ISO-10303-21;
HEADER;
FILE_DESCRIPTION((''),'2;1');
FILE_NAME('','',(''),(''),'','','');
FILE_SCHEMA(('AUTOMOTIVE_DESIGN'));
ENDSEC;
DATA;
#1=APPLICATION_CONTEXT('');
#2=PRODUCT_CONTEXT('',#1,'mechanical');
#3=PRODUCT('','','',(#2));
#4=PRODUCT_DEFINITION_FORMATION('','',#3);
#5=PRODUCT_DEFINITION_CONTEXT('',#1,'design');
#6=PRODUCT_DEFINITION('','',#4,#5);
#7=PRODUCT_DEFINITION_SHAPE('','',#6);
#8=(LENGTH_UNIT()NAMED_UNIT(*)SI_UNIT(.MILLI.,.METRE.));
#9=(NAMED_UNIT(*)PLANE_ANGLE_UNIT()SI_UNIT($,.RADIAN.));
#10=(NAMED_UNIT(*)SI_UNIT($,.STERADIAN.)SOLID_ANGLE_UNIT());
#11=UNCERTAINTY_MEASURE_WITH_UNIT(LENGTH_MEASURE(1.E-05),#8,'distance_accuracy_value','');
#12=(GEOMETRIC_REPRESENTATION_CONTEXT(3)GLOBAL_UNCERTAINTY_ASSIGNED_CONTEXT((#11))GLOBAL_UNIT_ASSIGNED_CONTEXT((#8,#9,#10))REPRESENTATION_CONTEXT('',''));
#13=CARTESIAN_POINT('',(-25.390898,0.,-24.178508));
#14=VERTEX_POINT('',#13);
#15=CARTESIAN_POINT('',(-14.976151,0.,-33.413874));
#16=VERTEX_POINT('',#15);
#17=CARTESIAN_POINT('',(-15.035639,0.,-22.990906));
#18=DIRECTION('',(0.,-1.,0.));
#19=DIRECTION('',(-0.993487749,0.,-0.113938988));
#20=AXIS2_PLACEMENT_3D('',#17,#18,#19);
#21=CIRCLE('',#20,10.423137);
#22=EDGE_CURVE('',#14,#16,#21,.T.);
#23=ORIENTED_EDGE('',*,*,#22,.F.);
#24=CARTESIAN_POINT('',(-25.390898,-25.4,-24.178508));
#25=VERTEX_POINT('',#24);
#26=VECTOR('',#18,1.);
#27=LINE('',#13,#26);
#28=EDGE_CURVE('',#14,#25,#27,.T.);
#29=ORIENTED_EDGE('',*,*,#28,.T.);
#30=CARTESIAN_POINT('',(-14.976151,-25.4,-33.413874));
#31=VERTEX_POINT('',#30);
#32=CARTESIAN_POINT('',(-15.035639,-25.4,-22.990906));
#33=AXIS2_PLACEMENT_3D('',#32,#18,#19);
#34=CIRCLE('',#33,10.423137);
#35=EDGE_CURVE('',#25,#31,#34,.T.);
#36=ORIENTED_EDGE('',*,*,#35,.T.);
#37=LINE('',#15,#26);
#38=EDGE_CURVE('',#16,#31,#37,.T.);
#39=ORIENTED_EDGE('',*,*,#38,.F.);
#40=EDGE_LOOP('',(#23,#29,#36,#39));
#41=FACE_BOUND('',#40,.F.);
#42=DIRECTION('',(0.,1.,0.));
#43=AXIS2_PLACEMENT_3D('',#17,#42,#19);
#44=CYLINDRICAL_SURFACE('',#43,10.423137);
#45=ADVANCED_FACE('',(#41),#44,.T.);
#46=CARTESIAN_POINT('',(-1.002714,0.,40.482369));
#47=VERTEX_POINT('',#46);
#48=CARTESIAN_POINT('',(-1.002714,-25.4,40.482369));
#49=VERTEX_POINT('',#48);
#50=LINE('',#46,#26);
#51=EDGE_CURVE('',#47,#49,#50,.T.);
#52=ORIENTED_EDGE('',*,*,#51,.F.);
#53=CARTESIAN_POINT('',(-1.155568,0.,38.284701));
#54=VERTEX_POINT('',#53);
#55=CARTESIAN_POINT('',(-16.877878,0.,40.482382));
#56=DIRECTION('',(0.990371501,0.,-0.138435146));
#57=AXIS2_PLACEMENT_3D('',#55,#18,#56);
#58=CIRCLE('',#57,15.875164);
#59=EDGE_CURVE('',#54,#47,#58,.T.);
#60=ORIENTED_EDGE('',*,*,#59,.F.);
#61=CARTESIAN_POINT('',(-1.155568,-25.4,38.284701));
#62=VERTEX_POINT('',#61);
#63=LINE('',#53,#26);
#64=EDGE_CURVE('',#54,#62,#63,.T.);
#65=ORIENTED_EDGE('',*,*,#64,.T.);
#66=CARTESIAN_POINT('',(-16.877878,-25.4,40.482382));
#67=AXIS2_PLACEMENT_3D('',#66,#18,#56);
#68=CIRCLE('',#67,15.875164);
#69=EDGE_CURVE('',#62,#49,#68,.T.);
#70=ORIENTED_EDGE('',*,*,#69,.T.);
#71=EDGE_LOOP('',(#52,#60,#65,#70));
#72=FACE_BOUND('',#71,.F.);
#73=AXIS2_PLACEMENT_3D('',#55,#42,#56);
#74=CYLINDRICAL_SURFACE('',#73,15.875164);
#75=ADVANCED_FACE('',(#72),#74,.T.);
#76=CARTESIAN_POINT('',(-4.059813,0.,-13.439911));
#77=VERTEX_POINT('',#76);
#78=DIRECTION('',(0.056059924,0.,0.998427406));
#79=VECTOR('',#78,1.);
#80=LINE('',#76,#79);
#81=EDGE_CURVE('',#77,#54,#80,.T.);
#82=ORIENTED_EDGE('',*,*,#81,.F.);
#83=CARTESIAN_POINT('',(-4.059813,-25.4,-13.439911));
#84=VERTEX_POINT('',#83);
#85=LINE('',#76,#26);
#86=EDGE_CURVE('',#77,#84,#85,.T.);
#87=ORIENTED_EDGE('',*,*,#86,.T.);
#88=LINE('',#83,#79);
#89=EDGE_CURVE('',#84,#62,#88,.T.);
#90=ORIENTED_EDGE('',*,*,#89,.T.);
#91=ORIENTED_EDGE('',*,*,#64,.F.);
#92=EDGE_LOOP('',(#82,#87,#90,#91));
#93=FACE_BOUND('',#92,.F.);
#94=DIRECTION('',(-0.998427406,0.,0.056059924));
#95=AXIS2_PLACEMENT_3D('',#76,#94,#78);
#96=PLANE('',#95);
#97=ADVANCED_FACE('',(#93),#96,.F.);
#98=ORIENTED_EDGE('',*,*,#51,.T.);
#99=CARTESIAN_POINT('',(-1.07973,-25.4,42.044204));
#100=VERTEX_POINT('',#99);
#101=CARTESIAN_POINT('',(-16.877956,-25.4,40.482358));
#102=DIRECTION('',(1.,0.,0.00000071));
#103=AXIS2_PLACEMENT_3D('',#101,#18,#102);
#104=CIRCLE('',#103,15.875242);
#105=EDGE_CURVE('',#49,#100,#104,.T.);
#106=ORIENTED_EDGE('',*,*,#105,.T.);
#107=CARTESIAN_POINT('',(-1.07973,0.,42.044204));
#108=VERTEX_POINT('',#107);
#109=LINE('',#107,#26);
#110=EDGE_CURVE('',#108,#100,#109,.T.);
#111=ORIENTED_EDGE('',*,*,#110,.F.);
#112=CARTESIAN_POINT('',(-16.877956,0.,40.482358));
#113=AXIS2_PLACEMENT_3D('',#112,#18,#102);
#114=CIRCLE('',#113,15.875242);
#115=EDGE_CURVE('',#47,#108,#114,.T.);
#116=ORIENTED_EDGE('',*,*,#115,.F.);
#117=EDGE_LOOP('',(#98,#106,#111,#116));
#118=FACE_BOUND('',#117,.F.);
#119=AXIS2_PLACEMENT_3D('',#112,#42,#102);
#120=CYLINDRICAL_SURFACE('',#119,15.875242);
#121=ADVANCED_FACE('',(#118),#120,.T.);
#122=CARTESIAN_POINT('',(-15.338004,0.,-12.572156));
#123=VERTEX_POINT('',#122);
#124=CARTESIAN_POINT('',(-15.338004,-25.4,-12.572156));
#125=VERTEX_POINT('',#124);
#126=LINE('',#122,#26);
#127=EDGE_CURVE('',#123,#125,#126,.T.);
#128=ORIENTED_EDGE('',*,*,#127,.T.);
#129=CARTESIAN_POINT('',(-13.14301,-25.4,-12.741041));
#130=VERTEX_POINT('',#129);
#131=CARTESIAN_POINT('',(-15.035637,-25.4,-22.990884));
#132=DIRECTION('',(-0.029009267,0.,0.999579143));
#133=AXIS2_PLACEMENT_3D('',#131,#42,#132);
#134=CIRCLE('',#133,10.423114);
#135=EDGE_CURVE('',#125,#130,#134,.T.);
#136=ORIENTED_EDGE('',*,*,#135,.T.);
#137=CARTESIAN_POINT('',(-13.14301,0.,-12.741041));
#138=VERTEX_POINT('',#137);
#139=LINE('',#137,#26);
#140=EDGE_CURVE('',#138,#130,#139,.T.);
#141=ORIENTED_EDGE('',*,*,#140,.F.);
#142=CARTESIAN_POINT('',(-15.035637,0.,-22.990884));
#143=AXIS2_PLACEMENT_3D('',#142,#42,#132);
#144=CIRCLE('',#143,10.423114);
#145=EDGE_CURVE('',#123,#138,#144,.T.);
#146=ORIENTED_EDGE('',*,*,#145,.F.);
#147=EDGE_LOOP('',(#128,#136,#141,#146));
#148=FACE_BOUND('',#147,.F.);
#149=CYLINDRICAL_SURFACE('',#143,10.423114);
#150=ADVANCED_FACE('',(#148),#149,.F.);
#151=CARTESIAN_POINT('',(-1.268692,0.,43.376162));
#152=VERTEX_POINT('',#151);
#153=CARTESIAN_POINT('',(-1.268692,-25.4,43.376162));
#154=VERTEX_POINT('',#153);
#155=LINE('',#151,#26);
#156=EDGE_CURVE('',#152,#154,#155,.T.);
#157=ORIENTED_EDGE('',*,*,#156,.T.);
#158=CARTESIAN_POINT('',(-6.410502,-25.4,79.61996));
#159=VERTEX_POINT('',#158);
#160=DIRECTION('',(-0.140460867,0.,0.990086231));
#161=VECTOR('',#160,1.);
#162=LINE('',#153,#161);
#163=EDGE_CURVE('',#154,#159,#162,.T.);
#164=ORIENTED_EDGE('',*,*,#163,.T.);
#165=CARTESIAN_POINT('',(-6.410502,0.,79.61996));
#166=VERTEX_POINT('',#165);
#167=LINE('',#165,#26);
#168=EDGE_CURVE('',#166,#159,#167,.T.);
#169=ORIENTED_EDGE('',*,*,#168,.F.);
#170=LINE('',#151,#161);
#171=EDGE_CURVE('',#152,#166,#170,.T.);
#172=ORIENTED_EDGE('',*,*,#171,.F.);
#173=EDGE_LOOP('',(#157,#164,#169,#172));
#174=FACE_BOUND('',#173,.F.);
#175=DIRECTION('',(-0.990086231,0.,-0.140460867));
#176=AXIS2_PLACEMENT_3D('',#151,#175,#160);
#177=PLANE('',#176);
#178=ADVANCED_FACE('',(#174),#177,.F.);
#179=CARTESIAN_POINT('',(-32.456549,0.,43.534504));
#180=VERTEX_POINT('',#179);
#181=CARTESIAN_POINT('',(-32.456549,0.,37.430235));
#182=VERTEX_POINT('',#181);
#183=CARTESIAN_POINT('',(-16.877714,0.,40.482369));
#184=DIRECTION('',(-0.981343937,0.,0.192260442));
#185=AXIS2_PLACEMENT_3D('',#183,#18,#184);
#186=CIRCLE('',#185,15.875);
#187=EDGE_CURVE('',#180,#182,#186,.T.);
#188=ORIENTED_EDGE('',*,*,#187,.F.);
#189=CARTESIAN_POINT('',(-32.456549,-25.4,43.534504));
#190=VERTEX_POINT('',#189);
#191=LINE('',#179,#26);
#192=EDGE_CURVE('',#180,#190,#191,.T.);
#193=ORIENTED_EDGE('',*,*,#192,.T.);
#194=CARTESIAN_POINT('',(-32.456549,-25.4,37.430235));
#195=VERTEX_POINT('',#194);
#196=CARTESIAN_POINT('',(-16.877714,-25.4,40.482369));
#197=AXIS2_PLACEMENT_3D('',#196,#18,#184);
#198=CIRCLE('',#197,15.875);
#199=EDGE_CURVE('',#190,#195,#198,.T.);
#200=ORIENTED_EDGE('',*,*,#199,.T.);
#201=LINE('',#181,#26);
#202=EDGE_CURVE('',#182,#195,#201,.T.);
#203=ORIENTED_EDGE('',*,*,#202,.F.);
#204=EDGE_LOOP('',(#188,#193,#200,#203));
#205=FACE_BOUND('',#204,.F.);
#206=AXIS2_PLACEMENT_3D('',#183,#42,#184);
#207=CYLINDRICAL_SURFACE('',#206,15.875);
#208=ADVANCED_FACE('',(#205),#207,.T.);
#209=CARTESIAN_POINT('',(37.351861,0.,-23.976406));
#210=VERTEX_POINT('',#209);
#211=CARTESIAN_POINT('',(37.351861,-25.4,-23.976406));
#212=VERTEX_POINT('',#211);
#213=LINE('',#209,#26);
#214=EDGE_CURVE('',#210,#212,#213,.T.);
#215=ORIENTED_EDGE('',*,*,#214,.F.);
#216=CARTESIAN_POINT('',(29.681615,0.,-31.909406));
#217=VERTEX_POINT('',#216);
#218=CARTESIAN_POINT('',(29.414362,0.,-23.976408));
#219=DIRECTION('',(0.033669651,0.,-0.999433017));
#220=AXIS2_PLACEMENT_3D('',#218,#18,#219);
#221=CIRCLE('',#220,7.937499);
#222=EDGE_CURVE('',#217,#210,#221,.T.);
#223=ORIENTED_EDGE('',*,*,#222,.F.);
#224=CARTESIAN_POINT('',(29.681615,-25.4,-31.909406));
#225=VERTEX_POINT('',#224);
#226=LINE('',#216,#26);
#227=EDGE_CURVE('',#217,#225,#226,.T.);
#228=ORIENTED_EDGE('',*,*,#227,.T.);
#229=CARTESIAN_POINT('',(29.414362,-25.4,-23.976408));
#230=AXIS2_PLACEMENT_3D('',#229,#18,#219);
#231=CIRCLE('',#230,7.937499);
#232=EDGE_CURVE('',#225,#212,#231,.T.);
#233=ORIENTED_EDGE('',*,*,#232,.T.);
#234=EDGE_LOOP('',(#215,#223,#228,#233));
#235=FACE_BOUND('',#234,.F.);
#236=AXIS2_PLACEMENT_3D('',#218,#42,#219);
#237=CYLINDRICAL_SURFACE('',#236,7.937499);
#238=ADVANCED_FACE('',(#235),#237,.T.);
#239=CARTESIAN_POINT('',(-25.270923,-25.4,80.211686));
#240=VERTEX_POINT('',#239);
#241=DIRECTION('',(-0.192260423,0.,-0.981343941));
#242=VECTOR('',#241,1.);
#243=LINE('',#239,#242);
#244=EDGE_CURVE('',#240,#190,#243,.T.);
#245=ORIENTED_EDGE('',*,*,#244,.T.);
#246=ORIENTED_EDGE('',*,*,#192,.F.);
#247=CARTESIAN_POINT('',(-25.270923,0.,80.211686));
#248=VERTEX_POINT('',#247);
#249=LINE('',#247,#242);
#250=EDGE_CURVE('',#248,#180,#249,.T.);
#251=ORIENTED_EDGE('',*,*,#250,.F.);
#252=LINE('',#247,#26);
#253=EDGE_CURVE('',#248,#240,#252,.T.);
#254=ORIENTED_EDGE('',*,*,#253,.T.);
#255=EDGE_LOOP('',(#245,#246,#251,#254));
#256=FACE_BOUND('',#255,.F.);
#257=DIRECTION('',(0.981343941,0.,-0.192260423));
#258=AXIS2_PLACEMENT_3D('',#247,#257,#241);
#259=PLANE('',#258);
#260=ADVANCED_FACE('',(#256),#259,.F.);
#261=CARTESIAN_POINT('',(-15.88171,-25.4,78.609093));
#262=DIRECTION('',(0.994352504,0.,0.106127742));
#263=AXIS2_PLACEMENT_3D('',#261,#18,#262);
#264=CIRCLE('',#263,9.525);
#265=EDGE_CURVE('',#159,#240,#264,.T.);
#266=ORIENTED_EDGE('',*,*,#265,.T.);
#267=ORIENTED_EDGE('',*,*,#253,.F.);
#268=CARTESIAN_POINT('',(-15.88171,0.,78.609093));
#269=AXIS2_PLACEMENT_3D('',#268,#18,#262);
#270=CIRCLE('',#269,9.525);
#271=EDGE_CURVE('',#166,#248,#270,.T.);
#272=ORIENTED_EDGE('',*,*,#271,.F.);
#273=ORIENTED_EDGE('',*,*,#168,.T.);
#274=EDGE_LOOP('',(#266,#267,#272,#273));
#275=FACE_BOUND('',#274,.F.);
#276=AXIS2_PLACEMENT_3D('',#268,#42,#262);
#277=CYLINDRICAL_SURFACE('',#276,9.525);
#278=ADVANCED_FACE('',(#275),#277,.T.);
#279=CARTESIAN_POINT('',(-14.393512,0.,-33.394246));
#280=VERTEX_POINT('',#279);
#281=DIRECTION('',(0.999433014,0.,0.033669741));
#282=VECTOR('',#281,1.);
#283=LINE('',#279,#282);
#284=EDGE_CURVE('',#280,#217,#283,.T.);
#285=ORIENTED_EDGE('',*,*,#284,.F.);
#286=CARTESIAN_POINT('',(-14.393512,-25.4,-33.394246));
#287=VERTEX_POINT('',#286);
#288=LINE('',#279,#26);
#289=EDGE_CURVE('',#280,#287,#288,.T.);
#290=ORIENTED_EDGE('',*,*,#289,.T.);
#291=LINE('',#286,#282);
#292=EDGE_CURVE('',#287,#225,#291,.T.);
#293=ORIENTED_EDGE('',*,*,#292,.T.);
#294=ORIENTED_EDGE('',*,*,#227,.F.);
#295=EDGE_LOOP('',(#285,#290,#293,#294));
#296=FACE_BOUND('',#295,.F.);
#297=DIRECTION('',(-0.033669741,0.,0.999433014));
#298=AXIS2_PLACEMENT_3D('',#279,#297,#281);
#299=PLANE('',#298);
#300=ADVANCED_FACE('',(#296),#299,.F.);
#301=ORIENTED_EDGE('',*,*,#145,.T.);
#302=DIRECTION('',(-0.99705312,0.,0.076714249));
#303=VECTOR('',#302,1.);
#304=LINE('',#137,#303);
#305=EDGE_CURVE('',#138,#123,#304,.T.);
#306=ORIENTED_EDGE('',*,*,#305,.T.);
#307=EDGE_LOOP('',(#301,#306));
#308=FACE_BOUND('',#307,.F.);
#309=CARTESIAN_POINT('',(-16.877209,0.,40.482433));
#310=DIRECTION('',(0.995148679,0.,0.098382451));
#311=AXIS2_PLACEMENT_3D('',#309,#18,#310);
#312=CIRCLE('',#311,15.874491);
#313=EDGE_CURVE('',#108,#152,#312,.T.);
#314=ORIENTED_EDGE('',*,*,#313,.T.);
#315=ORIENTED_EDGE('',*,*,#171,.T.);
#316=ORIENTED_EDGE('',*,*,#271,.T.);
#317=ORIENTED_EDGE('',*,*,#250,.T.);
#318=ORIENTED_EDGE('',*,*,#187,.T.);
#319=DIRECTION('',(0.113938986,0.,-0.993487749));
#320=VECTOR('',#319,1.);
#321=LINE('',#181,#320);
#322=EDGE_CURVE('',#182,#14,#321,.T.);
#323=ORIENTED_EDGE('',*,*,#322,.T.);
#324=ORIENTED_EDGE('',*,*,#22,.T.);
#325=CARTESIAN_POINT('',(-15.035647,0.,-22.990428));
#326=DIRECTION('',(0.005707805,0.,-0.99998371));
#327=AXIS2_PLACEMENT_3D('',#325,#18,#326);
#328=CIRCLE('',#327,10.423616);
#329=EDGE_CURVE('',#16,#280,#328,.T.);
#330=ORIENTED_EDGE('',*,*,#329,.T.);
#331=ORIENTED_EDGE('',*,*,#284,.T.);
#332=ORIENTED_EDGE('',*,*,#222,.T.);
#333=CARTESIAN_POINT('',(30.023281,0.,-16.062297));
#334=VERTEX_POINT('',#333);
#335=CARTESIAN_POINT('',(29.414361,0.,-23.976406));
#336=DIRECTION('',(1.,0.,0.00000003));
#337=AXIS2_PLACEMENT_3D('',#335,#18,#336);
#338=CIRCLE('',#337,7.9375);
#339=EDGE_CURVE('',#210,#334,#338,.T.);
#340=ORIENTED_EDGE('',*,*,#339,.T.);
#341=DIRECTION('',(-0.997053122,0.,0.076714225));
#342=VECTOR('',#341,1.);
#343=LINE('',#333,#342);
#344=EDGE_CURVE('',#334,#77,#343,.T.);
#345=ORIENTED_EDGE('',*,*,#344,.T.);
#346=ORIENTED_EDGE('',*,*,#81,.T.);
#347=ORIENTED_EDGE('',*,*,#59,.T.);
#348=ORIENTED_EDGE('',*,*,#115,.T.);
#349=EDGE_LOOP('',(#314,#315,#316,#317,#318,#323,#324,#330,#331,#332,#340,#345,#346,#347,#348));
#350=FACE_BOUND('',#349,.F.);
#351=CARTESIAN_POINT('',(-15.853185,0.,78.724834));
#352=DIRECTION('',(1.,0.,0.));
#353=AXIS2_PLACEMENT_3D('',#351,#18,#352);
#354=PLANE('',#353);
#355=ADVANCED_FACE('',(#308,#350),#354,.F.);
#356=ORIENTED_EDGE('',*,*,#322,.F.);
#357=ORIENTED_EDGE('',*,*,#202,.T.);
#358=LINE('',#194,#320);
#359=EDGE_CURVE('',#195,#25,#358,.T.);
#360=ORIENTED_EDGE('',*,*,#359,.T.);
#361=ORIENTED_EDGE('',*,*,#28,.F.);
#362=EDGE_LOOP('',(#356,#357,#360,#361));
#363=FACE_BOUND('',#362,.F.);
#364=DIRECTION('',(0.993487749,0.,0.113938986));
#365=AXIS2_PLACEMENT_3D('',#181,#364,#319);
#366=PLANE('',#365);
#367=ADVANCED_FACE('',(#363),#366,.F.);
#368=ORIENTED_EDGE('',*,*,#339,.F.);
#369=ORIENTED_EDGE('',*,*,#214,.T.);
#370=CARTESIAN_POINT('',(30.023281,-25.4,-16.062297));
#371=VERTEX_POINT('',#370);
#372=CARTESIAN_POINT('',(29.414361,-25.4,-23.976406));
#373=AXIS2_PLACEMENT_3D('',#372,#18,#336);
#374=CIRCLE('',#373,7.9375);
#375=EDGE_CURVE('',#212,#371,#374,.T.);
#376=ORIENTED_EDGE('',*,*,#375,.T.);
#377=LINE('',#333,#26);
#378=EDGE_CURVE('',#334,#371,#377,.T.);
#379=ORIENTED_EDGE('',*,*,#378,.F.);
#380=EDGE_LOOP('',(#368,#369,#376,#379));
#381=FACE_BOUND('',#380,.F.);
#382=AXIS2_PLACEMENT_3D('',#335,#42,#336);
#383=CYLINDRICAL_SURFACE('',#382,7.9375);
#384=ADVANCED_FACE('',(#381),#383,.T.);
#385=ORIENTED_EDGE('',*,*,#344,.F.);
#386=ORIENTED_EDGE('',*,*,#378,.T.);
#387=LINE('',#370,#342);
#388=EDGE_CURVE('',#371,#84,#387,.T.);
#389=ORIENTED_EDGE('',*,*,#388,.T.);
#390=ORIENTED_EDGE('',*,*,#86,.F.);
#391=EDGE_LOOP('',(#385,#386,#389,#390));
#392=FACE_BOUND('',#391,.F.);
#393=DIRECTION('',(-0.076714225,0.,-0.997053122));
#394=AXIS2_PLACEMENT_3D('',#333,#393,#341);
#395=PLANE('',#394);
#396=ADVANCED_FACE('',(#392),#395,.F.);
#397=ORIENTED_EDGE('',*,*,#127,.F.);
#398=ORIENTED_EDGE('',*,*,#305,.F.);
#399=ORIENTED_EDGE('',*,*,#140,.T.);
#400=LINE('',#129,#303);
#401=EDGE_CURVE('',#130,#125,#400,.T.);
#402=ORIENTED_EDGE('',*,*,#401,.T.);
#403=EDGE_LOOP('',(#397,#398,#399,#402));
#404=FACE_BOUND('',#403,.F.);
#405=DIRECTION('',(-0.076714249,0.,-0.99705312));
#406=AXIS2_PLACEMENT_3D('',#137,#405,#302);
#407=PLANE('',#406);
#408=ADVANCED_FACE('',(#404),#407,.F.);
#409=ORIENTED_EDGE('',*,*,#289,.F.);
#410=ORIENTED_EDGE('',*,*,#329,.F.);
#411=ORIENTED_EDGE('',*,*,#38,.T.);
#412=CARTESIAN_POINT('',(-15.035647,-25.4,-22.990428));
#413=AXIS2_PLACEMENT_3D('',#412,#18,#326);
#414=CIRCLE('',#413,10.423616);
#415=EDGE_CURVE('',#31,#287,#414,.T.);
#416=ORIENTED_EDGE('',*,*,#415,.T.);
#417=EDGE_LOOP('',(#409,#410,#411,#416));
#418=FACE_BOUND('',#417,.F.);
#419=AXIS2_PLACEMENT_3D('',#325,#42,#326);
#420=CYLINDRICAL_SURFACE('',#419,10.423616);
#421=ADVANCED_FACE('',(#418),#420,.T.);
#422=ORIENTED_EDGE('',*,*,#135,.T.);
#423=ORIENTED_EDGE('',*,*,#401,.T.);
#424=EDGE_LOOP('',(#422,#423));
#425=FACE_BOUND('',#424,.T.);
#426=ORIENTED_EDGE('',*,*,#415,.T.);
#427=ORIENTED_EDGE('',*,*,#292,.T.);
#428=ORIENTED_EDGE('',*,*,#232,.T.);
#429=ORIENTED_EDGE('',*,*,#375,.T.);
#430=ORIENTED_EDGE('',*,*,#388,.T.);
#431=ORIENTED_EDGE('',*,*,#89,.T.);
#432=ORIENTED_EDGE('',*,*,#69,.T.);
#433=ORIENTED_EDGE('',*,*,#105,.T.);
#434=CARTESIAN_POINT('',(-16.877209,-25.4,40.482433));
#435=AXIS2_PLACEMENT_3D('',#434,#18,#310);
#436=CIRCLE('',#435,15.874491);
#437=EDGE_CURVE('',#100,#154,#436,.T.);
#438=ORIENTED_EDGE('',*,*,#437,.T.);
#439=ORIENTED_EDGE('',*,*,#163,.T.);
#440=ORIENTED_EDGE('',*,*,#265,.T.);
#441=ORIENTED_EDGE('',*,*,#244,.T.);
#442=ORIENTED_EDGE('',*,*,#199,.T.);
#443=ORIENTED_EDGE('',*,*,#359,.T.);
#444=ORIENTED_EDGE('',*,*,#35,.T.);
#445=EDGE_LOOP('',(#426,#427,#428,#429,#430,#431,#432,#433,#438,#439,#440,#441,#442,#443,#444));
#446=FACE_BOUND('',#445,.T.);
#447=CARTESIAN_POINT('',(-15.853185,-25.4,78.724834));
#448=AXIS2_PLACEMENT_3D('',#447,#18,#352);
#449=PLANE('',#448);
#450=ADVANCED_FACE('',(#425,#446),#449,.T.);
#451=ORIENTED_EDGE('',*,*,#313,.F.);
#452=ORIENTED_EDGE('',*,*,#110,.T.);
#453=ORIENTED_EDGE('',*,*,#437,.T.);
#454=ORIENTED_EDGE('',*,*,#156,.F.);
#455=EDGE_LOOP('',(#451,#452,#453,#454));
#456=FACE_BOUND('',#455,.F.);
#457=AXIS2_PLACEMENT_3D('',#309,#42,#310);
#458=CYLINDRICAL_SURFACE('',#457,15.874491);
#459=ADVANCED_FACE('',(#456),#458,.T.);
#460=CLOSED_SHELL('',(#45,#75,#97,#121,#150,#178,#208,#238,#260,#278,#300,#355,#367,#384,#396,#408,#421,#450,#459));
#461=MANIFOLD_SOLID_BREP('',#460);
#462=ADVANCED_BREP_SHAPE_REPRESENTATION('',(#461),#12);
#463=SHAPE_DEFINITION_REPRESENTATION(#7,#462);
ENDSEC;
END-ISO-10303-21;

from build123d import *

# Parameters (mm, degrees)
F1_DEPTH = 25.4


with BuildPart() as f1:
    # F0 (on Front) → F1 (new body)
    with BuildSketch(Plane.XZ):
        with BuildLine():
            ThreePointArc((-25.270923, 80.211686), (-16.685877, 69.118101), (-6.356709, 78.609094))
            ThreePointArc((-6.356709, 78.609094), (-6.370167, 79.115242), (-6.410502, 79.61996))
            ThreePointArc((-6.410502, 79.61996), (-15.583019, 88.129409), (-25.270923, 80.211686))
        make_face()
        with BuildLine():
            ThreePointArc((-6.410502, 79.61996), (-6.370167, 79.115242), (-6.356709, 78.609094))
            ThreePointArc((-6.356709, 78.609094), (-16.685877, 69.118101), (-25.270923, 80.211686))
            Line((-25.270923, 80.211686), (-32.456549, 43.534504))
            ThreePointArc((-32.456549, 43.534504), (-16.797117, 56.357165), (-1.268692, 43.376162))
            Line((-1.268692, 43.376162), (-6.410502, 79.61996))
        make_face()
        with BuildLine():
            Line((-1.07973, 42.044204), (-1.268692, 43.376162))
            ThreePointArc((-1.268692, 43.376162), (-16.797117, 56.357165), (-32.456549, 43.534504))
            Line((-32.456549, 43.534504), (-32.456549, 37.430235))
            ThreePointArc((-32.456549, 37.430235), (-16.444514, 24.613281), (-1.155568, 38.284701))
            ThreePointArc((-1.155568, 38.284701), (-1.040974, 39.380881), (-1.002714, 40.482369))
            ThreePointArc((-1.002714, 40.482369), (-1.02198, 41.264236), (-1.07973, 42.044204))
        make_face()
        with BuildLine():
            ThreePointArc((-1.07973, 42.044204), (-1.160095, 42.712186), (-1.268692, 43.376162))
            Line((-1.268692, 43.376162), (-1.07973, 42.044204))
        make_face()
        with BuildLine():
            Line((-32.456549, 37.430235), (-32.456549, 43.534504))
            ThreePointArc((-32.456549, 43.534504), (-32.752714, 40.482369), (-32.456549, 37.430235))
        make_face()
        with BuildLine():
            ThreePointArc((-1.155568, 38.284701), (-16.444514, 24.613281), (-32.456549, 37.430235))
            Line((-32.456549, 37.430235), (-25.390898, -24.178508))
            ThreePointArc((-25.390898, -24.178508), (-22.914287, -16.16678), (-15.338004, -12.572156))
            ThreePointArc((-15.338004, -12.572156), (-14.236036, -12.598485), (-13.14301, -12.741041))
            Line((-13.14301, -12.741041), (-4.059813, -13.439911))
            Line((-4.059813, -13.439911), (-1.155568, 38.284701))
        make_face()
        with BuildLine():
            ThreePointArc((-15.338004, -12.572156), (-22.914287, -16.16678), (-25.390898, -24.178508))
            ThreePointArc((-25.390898, -24.178508), (-21.951109, -30.7895), (-14.976151, -33.413874))
            Line((-14.976151, -33.413874), (-14.393512, -33.394246))
            ThreePointArc((-14.393512, -33.394246), (-7.441734, -30.130543), (-4.612501, -22.990906))
            ThreePointArc((-4.612501, -22.990906), (-7.024118, -16.323273), (-13.14301, -12.741041))
            Line((-13.14301, -12.741041), (-15.338004, -12.572156))
        make_face()
        with BuildLine():
            Line((30.023281, -16.062297), (-4.059813, -13.439911))
            Line((-4.059813, -13.439911), (-13.14301, -12.741041))
            ThreePointArc((-13.14301, -12.741041), (-7.024118, -16.323273), (-4.612501, -22.990906))
            ThreePointArc((-4.612501, -22.990906), (-7.441734, -30.130543), (-14.393512, -33.394246))
            Line((-14.393512, -33.394246), (29.681615, -31.909406))
            ThreePointArc((29.681615, -31.909406), (21.478706, -23.805312), (30.023281, -16.062297))
        make_face()
        with BuildLine():
            Line((-14.393512, -33.394246), (-14.976151, -33.413874))
            ThreePointArc((-14.976151, -33.413874), (-14.684694, -33.408134), (-14.393512, -33.394246))
        make_face()
        with BuildLine():
            ThreePointArc((37.351861, -23.976406), (35.238329, -18.583327), (30.023281, -16.062297))
            ThreePointArc((30.023281, -16.062297), (21.478706, -23.805312), (29.681615, -31.909406))
            ThreePointArc((29.681615, -31.909406), (35.120728, -29.493769), (37.351861, -23.976406))
        make_face()
    extrude(amount=F1_DEPTH)


solid = f1.part
